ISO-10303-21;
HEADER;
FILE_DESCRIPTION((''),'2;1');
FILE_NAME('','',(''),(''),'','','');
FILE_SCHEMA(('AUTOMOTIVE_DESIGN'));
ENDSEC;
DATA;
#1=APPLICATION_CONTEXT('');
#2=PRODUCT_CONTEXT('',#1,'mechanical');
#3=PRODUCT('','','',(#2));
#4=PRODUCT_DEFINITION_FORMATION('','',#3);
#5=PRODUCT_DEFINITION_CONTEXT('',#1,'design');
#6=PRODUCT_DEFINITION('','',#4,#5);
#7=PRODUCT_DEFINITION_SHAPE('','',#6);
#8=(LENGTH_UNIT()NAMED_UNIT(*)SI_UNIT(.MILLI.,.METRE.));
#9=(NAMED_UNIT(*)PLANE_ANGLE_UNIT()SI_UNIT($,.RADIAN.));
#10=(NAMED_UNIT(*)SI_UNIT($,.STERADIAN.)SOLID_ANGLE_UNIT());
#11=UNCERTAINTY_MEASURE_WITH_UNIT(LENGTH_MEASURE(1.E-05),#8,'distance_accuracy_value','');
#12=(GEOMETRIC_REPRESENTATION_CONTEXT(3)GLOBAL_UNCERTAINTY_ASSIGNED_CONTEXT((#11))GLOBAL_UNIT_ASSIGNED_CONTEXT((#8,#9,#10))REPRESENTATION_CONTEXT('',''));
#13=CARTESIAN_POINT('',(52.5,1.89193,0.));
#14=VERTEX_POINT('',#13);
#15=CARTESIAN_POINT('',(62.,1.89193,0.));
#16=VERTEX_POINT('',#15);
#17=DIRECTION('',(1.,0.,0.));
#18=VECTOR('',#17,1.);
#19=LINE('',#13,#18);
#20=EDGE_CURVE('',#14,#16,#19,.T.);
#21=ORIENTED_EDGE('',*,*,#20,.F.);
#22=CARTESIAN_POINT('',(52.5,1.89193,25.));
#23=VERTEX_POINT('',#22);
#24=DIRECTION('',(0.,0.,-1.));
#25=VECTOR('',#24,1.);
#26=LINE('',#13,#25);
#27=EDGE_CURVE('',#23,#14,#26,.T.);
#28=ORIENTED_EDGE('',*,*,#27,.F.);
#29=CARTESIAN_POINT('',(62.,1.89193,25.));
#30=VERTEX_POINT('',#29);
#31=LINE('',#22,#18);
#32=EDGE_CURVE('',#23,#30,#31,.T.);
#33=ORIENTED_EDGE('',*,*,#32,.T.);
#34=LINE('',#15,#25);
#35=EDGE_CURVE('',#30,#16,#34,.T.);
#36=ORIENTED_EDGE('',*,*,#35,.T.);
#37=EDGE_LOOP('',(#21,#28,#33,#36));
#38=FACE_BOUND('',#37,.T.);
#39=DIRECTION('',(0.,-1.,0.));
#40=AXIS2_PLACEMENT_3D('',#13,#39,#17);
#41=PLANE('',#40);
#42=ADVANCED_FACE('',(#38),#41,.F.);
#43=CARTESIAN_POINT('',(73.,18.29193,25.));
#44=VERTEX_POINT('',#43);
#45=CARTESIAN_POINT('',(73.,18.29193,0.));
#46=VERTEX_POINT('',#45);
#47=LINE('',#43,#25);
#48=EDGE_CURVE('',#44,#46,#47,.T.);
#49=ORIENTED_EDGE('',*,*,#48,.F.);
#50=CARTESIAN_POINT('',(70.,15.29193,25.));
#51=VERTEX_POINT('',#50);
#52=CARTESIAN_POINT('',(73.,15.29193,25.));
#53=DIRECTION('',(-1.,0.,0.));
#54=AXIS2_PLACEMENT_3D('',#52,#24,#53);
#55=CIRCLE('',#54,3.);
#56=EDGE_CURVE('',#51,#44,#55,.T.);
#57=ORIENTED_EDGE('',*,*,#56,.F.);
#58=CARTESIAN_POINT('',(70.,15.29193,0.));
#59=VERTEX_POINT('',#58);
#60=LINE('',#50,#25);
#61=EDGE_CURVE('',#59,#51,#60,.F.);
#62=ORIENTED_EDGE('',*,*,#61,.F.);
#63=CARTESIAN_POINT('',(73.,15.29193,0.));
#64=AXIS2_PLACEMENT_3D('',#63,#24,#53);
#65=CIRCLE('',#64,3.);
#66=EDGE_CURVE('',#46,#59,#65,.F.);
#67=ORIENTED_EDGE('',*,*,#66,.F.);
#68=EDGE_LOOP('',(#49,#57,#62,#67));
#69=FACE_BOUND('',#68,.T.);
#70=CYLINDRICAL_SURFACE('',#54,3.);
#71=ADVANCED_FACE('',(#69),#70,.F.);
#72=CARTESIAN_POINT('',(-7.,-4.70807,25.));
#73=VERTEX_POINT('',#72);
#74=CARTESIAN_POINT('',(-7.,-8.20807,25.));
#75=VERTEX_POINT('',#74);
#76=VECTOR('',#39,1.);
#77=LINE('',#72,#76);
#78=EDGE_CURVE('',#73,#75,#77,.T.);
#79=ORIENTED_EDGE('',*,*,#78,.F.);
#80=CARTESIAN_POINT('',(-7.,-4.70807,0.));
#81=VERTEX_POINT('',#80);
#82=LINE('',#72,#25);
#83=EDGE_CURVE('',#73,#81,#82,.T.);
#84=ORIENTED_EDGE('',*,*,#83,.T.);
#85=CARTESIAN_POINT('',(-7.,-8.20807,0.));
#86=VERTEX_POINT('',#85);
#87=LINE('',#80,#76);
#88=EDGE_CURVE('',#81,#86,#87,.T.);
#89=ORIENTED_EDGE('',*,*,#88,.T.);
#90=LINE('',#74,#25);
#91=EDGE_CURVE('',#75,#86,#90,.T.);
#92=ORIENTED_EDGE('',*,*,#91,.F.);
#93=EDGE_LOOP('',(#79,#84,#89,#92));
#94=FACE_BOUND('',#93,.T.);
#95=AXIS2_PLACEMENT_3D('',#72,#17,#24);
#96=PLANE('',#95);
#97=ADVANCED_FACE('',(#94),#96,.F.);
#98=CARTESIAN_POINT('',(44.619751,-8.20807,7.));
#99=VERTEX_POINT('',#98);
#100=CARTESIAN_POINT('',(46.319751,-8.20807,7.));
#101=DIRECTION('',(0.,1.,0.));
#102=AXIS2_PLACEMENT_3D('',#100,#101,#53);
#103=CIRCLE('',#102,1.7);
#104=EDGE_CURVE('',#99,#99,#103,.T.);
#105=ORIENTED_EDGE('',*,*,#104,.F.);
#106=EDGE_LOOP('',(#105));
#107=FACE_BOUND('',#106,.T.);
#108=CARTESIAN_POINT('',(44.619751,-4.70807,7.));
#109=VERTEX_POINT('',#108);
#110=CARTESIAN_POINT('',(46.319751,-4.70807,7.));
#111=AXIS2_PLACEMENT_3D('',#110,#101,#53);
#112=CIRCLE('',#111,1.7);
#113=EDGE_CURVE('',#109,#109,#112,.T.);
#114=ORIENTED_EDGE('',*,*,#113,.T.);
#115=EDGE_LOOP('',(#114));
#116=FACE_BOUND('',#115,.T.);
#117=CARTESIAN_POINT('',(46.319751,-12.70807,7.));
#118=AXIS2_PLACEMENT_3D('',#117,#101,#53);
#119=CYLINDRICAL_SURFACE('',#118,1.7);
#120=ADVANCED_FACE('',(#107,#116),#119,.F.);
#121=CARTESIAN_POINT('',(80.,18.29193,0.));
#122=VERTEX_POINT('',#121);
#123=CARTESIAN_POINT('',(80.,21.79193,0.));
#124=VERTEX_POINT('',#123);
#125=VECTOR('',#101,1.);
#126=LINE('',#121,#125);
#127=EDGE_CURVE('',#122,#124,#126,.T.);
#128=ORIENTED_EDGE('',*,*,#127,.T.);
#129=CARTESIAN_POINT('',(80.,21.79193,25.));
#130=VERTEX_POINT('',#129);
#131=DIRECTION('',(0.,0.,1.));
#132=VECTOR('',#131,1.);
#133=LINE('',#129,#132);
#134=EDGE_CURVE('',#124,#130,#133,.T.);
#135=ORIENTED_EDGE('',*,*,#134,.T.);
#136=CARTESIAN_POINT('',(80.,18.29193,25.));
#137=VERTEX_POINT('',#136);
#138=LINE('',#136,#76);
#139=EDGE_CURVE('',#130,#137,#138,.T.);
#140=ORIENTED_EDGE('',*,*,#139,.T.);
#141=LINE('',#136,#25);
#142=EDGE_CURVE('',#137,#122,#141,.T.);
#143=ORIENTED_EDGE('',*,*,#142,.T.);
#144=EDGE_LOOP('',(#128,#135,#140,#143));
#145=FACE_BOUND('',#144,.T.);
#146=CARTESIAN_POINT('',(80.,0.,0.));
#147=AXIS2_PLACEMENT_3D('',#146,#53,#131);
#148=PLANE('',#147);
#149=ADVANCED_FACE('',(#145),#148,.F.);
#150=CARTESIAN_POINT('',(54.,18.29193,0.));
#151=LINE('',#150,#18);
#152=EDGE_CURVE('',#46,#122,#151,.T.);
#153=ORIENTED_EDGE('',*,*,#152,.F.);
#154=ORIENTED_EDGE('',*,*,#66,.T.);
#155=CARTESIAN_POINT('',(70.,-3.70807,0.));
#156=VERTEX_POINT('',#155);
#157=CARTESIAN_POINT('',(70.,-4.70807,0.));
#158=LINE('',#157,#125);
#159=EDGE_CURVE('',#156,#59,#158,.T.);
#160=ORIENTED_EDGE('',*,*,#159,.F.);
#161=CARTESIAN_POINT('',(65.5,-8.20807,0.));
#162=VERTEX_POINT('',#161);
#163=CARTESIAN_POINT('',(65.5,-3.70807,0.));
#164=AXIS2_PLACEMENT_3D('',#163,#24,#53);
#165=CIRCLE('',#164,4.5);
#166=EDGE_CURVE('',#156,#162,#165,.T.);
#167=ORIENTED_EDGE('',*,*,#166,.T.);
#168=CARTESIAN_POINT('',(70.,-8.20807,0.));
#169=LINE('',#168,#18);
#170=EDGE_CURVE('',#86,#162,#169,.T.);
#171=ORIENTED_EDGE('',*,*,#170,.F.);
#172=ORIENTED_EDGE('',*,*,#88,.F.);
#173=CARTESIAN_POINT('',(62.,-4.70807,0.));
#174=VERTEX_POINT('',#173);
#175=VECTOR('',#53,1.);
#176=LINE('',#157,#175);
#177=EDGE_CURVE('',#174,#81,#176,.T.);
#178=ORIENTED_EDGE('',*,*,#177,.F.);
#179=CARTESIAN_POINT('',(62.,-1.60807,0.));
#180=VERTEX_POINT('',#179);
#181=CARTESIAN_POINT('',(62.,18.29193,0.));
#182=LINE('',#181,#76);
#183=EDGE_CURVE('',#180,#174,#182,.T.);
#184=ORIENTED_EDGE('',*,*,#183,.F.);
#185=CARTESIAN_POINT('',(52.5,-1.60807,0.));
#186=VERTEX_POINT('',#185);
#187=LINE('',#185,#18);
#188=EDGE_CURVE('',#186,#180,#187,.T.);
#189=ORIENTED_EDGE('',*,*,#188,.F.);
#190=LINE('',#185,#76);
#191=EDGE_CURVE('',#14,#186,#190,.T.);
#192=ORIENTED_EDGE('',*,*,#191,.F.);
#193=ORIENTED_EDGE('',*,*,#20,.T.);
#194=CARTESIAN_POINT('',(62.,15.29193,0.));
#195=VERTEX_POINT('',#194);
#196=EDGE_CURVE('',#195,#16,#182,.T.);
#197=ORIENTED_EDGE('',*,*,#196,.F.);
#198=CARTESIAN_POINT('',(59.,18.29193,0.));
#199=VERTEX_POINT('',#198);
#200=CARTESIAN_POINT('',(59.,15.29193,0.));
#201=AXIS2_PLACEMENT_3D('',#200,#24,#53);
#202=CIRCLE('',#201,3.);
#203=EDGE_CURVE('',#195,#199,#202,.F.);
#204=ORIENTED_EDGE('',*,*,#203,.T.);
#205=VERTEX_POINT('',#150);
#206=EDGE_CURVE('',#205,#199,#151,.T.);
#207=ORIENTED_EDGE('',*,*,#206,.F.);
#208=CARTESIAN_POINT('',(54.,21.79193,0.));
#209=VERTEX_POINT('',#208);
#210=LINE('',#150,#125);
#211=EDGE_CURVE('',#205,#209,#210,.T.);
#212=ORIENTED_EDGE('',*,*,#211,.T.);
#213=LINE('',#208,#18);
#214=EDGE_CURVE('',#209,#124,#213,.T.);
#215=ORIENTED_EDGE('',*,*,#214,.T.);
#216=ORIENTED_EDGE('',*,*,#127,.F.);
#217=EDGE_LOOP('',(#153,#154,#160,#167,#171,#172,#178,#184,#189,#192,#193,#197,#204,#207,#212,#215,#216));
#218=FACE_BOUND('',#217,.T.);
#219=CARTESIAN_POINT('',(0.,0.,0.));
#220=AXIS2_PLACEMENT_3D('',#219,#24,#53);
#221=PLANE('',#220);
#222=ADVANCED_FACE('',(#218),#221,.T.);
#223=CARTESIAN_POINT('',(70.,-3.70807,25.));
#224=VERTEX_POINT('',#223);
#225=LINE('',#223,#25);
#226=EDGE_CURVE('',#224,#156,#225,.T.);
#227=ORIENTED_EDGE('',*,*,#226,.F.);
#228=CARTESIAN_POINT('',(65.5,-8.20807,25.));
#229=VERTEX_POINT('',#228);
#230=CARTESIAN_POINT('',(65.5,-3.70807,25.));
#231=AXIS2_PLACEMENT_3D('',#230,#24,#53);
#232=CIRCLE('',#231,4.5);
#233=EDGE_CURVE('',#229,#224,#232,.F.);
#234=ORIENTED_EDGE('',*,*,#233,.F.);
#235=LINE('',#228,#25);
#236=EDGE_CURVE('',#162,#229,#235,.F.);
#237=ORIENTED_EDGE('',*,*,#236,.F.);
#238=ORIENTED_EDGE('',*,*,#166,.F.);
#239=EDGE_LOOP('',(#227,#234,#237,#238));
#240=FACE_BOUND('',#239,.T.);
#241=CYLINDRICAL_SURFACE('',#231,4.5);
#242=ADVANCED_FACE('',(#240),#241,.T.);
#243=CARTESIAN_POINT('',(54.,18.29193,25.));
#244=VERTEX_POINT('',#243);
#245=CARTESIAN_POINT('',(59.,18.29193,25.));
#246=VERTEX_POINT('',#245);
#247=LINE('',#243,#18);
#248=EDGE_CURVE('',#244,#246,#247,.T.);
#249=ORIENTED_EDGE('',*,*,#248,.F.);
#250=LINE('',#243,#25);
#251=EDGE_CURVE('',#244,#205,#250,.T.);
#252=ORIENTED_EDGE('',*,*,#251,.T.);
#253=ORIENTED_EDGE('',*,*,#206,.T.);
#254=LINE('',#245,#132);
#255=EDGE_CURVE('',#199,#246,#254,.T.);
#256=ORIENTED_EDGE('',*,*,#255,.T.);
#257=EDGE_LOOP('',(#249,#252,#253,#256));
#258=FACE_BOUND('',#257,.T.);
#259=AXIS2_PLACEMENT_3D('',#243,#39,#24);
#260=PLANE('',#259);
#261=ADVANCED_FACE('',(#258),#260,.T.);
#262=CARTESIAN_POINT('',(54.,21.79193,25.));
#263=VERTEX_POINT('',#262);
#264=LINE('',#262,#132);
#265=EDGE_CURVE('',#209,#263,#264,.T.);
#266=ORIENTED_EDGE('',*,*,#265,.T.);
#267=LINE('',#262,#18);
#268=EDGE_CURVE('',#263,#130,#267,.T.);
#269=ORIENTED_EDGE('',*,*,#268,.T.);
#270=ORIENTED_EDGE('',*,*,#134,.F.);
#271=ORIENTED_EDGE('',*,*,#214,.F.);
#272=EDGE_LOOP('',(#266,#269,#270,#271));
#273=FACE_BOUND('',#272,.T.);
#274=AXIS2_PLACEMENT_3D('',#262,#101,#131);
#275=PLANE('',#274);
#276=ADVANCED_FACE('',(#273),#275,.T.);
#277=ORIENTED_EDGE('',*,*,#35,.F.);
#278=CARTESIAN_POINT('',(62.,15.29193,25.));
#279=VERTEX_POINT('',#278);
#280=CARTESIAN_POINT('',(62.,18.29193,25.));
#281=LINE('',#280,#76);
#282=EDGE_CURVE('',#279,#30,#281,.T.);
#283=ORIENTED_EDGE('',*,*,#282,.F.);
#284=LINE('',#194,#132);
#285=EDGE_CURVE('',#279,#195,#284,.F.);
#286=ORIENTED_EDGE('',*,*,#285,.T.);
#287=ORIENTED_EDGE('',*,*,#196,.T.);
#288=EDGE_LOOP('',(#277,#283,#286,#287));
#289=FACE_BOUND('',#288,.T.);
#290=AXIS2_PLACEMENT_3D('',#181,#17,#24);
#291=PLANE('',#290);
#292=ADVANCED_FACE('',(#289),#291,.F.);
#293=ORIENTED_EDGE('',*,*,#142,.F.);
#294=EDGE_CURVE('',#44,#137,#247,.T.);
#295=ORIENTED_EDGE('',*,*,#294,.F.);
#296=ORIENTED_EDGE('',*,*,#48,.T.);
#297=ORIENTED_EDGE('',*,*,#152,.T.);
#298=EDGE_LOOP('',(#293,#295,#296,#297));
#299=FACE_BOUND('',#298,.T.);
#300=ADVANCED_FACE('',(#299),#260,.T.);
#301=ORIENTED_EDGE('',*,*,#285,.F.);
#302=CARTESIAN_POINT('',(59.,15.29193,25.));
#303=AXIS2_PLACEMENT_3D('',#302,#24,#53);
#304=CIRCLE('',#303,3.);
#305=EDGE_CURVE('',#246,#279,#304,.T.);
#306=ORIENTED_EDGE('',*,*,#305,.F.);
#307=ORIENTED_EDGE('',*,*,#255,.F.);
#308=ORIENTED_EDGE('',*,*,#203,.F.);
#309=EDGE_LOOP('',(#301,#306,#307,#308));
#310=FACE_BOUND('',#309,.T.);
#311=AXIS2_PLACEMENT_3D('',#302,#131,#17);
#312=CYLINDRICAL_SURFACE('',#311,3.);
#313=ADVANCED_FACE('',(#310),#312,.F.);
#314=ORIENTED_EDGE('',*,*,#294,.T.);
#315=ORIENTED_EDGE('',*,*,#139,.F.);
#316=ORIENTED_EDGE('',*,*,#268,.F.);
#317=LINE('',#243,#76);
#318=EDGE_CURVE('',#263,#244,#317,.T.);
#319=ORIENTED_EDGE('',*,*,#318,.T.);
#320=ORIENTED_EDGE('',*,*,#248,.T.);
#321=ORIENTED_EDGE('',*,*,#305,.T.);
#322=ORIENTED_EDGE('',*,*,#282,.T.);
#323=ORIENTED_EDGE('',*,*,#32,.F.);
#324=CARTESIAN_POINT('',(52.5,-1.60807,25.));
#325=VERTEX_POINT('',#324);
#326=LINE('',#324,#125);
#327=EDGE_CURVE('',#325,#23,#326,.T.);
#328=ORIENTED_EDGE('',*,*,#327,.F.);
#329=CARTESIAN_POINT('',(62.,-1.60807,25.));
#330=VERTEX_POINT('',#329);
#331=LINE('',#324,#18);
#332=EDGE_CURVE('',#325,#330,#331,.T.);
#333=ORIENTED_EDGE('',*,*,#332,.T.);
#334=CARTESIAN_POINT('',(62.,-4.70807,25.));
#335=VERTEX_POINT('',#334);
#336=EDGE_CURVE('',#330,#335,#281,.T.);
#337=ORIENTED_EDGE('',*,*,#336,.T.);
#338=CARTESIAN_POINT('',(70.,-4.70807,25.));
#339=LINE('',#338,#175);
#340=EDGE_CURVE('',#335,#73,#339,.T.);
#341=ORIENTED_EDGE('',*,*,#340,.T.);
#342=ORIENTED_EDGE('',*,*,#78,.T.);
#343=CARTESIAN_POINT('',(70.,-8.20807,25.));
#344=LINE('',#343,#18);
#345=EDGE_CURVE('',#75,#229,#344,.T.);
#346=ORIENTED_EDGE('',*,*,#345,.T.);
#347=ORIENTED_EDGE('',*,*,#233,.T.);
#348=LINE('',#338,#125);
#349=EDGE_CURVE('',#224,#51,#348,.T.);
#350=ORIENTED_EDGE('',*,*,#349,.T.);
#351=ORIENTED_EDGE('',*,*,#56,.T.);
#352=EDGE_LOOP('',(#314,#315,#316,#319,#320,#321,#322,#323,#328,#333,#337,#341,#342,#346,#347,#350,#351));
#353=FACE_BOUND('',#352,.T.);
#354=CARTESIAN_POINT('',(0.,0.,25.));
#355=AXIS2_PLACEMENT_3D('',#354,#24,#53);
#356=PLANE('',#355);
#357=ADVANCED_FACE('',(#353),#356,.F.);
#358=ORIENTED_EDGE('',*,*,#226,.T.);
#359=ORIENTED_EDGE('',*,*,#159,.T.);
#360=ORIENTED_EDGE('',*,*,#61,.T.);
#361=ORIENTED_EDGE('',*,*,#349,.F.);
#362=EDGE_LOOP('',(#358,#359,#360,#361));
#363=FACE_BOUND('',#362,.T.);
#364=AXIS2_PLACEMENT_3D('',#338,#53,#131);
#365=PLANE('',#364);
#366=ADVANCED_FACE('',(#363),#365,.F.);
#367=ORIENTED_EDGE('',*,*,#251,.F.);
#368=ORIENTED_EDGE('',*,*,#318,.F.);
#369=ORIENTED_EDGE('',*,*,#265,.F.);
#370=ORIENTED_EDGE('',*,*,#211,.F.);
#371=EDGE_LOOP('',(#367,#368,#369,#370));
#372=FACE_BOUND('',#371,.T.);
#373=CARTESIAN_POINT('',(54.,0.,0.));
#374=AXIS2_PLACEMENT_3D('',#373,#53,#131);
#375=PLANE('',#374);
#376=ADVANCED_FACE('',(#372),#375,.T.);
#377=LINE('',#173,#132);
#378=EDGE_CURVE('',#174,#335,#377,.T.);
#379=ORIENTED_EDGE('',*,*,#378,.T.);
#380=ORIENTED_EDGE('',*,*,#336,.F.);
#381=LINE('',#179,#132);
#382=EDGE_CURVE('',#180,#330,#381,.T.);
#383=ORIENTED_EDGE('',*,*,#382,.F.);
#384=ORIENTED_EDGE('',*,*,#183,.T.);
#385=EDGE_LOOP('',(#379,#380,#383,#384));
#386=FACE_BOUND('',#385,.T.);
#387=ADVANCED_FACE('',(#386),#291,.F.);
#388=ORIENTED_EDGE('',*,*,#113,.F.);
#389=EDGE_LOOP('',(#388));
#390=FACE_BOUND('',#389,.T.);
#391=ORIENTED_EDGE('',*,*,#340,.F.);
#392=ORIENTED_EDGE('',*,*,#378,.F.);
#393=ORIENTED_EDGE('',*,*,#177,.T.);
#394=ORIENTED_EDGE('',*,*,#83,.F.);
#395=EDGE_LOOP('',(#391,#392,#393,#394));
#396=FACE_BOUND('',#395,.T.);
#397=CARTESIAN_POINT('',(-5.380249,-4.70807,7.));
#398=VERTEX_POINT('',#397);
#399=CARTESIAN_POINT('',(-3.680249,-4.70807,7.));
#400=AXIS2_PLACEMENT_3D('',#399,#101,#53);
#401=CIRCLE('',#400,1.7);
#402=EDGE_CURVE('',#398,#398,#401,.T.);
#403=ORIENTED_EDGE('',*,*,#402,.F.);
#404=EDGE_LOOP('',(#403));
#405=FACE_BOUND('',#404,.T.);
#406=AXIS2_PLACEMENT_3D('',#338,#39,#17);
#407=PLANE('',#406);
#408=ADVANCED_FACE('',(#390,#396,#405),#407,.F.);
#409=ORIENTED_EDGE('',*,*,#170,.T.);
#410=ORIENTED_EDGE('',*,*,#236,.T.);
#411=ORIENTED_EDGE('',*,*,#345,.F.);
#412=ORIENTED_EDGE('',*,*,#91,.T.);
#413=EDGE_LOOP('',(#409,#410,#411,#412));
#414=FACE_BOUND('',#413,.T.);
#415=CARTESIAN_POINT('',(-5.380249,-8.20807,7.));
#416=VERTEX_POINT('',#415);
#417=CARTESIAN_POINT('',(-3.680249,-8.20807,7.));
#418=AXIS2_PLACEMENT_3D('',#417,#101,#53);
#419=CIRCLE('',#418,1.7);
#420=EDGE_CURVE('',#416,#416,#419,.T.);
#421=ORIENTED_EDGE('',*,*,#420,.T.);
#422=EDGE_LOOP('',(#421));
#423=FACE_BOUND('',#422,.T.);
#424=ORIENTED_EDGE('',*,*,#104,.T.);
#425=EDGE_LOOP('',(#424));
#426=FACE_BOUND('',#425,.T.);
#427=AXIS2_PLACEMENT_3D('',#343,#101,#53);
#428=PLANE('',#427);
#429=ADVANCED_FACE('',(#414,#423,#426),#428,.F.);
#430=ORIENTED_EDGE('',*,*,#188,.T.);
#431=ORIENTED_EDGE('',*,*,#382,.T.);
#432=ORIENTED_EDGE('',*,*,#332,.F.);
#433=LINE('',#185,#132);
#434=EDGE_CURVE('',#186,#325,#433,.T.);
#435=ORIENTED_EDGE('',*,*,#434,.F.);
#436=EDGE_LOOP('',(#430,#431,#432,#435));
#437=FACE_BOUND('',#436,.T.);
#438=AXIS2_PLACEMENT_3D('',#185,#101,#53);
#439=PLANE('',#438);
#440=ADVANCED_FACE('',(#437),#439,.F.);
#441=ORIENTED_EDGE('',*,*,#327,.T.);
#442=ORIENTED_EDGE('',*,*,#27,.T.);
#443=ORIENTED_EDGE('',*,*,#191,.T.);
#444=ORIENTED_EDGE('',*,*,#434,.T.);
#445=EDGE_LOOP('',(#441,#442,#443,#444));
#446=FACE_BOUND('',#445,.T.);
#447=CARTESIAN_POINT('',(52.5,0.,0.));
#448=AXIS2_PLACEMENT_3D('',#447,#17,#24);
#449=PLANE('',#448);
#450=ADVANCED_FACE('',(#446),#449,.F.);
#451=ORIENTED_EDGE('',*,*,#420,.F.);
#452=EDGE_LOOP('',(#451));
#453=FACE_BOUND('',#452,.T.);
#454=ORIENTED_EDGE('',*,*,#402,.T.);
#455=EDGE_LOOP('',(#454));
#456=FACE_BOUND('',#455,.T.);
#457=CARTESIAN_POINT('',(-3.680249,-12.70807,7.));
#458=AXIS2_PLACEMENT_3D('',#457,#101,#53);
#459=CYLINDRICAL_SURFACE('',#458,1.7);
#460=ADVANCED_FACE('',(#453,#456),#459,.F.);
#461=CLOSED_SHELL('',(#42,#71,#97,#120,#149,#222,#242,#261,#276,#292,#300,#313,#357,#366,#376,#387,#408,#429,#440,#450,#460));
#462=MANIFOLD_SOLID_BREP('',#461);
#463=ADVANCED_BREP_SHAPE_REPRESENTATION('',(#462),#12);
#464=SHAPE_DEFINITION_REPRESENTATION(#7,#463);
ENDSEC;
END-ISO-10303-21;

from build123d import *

# Parameters (mm, degrees)
SCHIZZO1_W                        = 77
SCHIZZO1_H                        = 3.5
ESTRUSIONE_ESTRUSIONE1_DEPTH      = 25
SCHIZZO2_W                        = 8
SCHIZZO2_H                        = 25
ESTRUSIONE_ESTRUSIONE2_DEPTH      = 23
SCHIZZO3_W                        = 25
SCHIZZO3_H                        = 3.5
ESTRUSIONE_ESTRUSIONE3_DEPTH      = 9.5
SCHIZZO4_W                        = 25
SCHIZZO4_H                        = 3.5
ESTRUSIONE_ESTRUSIONE4_DEPTH      = 10
ESTRUSIONE_ESTRUSIONE4_DEPTH_BACK = 16
SCHIZZO5_R                        = 1.7
TAGLIO_ESTRUSIONE1_DEPTH          = 8
RACCORDO2_R                       = 4.5
RACCORDO3_R                       = 3
RACCORDO5_R                       = 3


with BuildPart() as part:
    # Schizzo1 → Estrusione-Estrusione1 (new body)
    with BuildSketch(Plane.XY):
        with Locations((31.5, -6.45807022)):
            Rectangle(SCHIZZO1_W, SCHIZZO1_H)
    extrude(amount=ESTRUSIONE_ESTRUSIONE1_DEPTH)

    # Schizzo2 → Estrusione-Estrusione2 (add)
    with BuildSketch(Plane(origin=(0, -4.70807022, 0), x_dir=(1, 0, 0), z_dir=(0, 1, 0))):
        with Locations((66, -12.5)):
            Rectangle(SCHIZZO2_W, SCHIZZO2_H)
    extrude(amount=ESTRUSIONE_ESTRUSIONE2_DEPTH)

    # Schizzo3 → Estrusione-Estrusione3 (add)
    with BuildSketch(Plane.ZY.offset(-62)):
        with Locations((12.5, 0.14192978)):
            Rectangle(SCHIZZO3_W, SCHIZZO3_H)
    extrude(amount=ESTRUSIONE_ESTRUSIONE3_DEPTH)

    # Schizzo4 → Estrusione-Estrusione4 (add, two sides)
    with BuildSketch(Plane(origin=(70, 0, 0), x_dir=(0, 0, -1), z_dir=(1, 0, 0))) as estrusione_estrusione4_sk:
        with Locations((-12.5, 20.04192978)):
            Rectangle(SCHIZZO4_W, SCHIZZO4_H)
    extrude(amount=ESTRUSIONE_ESTRUSIONE4_DEPTH)
    extrude(estrusione_estrusione4_sk.sketch, amount=-ESTRUSIONE_ESTRUSIONE4_DEPTH_BACK)

    # Schizzo5 → Taglio-Estrusione1 (cut)
    with BuildSketch(Plane(origin=(0, -4.70807022, 0), x_dir=(1, 0, 0), z_dir=(0, 1, 0))):
        with Locations((46.319751134, -7)):
            Circle(SCHIZZO5_R)
        with Locations((-3.680248866, -7)):
            Circle(SCHIZZO5_R)
    extrude(amount=-TAGLIO_ESTRUSIONE1_DEPTH, mode=Mode.SUBTRACT)

    # Raccordo2
    raccordo2_edges = [part.edges().sort_by_distance(p)[0] for p in [
        (70, -8.20807022, 12.5),
    ]]
    fillet(raccordo2_edges, radius=RACCORDO2_R)

    # Raccordo3
    raccordo3_edges = [part.edges().sort_by_distance(p)[0] for p in [
        (70, 18.29192978, 12.5),
    ]]
    fillet(raccordo3_edges, radius=RACCORDO3_R)

    # Raccordo5
    raccordo5_edges = [part.edges().sort_by_distance(p)[0] for p in [
        (62, 18.29192978, 12.5),
    ]]
    fillet(raccordo5_edges, radius=RACCORDO5_R)


solid = part.part
